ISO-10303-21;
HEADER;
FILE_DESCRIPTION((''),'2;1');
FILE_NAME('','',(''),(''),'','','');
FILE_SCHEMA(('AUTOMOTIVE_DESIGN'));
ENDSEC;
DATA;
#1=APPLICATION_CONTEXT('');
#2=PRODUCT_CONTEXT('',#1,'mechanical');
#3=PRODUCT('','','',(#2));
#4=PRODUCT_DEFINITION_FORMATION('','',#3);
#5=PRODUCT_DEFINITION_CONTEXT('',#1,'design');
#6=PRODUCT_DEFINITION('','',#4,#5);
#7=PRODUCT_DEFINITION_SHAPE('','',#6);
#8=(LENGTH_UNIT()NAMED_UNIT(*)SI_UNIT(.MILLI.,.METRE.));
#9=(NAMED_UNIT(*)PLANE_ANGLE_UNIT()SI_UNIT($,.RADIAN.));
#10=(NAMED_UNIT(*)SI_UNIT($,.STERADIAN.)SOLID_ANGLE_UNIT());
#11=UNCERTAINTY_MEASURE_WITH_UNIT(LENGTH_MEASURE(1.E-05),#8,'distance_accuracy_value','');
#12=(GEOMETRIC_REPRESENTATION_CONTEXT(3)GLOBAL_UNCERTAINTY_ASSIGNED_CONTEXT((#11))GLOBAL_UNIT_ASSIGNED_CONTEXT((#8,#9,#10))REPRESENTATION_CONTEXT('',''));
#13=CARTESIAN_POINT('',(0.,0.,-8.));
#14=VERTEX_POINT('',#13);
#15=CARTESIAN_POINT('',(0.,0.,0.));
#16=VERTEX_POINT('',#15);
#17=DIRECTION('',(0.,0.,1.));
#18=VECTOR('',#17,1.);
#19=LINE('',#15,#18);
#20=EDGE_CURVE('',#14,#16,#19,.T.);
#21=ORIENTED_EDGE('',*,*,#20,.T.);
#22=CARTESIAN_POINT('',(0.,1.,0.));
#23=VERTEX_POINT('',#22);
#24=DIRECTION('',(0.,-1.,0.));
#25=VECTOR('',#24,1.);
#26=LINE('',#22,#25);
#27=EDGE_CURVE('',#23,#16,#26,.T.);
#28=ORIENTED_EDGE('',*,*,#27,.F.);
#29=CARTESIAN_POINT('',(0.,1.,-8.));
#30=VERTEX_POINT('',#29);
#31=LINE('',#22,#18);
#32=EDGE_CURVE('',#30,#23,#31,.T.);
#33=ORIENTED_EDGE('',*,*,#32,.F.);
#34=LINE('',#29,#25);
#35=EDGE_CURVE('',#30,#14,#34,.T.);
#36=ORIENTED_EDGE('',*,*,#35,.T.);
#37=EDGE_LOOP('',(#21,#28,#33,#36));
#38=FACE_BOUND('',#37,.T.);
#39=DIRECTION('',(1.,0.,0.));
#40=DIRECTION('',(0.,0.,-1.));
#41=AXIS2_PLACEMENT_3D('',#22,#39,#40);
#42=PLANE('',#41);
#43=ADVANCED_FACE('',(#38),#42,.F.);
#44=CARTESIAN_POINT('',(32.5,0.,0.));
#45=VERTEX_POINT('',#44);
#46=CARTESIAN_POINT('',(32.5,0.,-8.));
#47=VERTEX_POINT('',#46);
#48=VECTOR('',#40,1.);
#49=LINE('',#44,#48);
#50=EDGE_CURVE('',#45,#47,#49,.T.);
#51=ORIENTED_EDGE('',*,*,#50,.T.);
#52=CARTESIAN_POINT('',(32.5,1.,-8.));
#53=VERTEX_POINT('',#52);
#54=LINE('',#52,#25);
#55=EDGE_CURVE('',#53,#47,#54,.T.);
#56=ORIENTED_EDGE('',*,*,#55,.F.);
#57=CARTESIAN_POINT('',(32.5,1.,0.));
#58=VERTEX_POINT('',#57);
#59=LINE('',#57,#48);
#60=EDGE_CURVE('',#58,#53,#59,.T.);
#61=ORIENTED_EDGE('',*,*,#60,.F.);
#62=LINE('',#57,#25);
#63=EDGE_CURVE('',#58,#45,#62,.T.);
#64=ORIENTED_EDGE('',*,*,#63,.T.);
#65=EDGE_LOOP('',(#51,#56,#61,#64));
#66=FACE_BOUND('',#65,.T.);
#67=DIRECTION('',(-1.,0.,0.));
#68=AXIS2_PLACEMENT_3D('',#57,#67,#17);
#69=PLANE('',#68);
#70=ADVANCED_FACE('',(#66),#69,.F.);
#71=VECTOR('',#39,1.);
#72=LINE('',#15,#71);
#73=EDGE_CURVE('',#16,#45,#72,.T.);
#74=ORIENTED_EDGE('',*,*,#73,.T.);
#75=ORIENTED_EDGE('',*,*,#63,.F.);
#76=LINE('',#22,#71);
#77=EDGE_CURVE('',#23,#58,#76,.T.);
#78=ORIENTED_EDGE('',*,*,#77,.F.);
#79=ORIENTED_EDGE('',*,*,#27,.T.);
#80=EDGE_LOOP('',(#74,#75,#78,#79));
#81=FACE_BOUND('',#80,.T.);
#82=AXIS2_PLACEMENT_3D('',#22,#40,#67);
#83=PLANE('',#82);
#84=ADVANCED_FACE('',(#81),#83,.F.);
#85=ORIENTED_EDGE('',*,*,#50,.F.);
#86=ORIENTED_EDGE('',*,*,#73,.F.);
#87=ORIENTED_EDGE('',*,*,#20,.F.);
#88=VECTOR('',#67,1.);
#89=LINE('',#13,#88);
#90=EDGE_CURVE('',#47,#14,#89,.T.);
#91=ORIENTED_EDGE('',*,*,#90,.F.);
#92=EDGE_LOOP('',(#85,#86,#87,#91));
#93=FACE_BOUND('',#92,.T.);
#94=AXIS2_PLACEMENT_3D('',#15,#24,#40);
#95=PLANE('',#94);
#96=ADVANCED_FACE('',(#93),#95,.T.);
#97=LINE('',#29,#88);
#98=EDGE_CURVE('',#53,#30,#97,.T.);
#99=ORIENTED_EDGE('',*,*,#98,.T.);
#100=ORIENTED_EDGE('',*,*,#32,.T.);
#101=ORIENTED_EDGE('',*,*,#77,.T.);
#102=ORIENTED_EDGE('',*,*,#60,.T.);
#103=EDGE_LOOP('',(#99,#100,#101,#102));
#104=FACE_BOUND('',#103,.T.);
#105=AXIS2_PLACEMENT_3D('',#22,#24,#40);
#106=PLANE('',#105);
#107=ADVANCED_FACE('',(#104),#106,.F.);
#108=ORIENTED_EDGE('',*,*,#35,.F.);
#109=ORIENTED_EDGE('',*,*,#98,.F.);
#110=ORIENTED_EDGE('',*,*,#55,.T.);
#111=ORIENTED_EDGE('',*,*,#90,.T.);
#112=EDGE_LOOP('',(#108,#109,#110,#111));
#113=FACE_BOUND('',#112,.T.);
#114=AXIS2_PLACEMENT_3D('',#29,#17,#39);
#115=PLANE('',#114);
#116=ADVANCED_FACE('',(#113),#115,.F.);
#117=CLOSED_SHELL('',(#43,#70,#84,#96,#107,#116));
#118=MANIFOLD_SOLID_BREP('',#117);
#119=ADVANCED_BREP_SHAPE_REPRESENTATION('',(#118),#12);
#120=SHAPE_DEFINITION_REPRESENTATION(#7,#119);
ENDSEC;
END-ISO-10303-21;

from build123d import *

# Parameters (mm, degrees)
SKIZZE1_W                       = 32.5
SKIZZE1_H                       = 8
AUFSATZ_LINEAR_AUSTRAGEN1_DEPTH = 1


with BuildPart() as part:
    # Skizze1 → Aufsatz-Linear austragen1 (new body)
    with BuildSketch(Plane(origin=(0, 0, 0), x_dir=(1, 0, 0), z_dir=(0, 1, 0))):
        with Locations((16.25, 4)):
            Rectangle(SKIZZE1_W, SKIZZE1_H)
    extrude(amount=AUFSATZ_LINEAR_AUSTRAGEN1_DEPTH)


solid = part.part
